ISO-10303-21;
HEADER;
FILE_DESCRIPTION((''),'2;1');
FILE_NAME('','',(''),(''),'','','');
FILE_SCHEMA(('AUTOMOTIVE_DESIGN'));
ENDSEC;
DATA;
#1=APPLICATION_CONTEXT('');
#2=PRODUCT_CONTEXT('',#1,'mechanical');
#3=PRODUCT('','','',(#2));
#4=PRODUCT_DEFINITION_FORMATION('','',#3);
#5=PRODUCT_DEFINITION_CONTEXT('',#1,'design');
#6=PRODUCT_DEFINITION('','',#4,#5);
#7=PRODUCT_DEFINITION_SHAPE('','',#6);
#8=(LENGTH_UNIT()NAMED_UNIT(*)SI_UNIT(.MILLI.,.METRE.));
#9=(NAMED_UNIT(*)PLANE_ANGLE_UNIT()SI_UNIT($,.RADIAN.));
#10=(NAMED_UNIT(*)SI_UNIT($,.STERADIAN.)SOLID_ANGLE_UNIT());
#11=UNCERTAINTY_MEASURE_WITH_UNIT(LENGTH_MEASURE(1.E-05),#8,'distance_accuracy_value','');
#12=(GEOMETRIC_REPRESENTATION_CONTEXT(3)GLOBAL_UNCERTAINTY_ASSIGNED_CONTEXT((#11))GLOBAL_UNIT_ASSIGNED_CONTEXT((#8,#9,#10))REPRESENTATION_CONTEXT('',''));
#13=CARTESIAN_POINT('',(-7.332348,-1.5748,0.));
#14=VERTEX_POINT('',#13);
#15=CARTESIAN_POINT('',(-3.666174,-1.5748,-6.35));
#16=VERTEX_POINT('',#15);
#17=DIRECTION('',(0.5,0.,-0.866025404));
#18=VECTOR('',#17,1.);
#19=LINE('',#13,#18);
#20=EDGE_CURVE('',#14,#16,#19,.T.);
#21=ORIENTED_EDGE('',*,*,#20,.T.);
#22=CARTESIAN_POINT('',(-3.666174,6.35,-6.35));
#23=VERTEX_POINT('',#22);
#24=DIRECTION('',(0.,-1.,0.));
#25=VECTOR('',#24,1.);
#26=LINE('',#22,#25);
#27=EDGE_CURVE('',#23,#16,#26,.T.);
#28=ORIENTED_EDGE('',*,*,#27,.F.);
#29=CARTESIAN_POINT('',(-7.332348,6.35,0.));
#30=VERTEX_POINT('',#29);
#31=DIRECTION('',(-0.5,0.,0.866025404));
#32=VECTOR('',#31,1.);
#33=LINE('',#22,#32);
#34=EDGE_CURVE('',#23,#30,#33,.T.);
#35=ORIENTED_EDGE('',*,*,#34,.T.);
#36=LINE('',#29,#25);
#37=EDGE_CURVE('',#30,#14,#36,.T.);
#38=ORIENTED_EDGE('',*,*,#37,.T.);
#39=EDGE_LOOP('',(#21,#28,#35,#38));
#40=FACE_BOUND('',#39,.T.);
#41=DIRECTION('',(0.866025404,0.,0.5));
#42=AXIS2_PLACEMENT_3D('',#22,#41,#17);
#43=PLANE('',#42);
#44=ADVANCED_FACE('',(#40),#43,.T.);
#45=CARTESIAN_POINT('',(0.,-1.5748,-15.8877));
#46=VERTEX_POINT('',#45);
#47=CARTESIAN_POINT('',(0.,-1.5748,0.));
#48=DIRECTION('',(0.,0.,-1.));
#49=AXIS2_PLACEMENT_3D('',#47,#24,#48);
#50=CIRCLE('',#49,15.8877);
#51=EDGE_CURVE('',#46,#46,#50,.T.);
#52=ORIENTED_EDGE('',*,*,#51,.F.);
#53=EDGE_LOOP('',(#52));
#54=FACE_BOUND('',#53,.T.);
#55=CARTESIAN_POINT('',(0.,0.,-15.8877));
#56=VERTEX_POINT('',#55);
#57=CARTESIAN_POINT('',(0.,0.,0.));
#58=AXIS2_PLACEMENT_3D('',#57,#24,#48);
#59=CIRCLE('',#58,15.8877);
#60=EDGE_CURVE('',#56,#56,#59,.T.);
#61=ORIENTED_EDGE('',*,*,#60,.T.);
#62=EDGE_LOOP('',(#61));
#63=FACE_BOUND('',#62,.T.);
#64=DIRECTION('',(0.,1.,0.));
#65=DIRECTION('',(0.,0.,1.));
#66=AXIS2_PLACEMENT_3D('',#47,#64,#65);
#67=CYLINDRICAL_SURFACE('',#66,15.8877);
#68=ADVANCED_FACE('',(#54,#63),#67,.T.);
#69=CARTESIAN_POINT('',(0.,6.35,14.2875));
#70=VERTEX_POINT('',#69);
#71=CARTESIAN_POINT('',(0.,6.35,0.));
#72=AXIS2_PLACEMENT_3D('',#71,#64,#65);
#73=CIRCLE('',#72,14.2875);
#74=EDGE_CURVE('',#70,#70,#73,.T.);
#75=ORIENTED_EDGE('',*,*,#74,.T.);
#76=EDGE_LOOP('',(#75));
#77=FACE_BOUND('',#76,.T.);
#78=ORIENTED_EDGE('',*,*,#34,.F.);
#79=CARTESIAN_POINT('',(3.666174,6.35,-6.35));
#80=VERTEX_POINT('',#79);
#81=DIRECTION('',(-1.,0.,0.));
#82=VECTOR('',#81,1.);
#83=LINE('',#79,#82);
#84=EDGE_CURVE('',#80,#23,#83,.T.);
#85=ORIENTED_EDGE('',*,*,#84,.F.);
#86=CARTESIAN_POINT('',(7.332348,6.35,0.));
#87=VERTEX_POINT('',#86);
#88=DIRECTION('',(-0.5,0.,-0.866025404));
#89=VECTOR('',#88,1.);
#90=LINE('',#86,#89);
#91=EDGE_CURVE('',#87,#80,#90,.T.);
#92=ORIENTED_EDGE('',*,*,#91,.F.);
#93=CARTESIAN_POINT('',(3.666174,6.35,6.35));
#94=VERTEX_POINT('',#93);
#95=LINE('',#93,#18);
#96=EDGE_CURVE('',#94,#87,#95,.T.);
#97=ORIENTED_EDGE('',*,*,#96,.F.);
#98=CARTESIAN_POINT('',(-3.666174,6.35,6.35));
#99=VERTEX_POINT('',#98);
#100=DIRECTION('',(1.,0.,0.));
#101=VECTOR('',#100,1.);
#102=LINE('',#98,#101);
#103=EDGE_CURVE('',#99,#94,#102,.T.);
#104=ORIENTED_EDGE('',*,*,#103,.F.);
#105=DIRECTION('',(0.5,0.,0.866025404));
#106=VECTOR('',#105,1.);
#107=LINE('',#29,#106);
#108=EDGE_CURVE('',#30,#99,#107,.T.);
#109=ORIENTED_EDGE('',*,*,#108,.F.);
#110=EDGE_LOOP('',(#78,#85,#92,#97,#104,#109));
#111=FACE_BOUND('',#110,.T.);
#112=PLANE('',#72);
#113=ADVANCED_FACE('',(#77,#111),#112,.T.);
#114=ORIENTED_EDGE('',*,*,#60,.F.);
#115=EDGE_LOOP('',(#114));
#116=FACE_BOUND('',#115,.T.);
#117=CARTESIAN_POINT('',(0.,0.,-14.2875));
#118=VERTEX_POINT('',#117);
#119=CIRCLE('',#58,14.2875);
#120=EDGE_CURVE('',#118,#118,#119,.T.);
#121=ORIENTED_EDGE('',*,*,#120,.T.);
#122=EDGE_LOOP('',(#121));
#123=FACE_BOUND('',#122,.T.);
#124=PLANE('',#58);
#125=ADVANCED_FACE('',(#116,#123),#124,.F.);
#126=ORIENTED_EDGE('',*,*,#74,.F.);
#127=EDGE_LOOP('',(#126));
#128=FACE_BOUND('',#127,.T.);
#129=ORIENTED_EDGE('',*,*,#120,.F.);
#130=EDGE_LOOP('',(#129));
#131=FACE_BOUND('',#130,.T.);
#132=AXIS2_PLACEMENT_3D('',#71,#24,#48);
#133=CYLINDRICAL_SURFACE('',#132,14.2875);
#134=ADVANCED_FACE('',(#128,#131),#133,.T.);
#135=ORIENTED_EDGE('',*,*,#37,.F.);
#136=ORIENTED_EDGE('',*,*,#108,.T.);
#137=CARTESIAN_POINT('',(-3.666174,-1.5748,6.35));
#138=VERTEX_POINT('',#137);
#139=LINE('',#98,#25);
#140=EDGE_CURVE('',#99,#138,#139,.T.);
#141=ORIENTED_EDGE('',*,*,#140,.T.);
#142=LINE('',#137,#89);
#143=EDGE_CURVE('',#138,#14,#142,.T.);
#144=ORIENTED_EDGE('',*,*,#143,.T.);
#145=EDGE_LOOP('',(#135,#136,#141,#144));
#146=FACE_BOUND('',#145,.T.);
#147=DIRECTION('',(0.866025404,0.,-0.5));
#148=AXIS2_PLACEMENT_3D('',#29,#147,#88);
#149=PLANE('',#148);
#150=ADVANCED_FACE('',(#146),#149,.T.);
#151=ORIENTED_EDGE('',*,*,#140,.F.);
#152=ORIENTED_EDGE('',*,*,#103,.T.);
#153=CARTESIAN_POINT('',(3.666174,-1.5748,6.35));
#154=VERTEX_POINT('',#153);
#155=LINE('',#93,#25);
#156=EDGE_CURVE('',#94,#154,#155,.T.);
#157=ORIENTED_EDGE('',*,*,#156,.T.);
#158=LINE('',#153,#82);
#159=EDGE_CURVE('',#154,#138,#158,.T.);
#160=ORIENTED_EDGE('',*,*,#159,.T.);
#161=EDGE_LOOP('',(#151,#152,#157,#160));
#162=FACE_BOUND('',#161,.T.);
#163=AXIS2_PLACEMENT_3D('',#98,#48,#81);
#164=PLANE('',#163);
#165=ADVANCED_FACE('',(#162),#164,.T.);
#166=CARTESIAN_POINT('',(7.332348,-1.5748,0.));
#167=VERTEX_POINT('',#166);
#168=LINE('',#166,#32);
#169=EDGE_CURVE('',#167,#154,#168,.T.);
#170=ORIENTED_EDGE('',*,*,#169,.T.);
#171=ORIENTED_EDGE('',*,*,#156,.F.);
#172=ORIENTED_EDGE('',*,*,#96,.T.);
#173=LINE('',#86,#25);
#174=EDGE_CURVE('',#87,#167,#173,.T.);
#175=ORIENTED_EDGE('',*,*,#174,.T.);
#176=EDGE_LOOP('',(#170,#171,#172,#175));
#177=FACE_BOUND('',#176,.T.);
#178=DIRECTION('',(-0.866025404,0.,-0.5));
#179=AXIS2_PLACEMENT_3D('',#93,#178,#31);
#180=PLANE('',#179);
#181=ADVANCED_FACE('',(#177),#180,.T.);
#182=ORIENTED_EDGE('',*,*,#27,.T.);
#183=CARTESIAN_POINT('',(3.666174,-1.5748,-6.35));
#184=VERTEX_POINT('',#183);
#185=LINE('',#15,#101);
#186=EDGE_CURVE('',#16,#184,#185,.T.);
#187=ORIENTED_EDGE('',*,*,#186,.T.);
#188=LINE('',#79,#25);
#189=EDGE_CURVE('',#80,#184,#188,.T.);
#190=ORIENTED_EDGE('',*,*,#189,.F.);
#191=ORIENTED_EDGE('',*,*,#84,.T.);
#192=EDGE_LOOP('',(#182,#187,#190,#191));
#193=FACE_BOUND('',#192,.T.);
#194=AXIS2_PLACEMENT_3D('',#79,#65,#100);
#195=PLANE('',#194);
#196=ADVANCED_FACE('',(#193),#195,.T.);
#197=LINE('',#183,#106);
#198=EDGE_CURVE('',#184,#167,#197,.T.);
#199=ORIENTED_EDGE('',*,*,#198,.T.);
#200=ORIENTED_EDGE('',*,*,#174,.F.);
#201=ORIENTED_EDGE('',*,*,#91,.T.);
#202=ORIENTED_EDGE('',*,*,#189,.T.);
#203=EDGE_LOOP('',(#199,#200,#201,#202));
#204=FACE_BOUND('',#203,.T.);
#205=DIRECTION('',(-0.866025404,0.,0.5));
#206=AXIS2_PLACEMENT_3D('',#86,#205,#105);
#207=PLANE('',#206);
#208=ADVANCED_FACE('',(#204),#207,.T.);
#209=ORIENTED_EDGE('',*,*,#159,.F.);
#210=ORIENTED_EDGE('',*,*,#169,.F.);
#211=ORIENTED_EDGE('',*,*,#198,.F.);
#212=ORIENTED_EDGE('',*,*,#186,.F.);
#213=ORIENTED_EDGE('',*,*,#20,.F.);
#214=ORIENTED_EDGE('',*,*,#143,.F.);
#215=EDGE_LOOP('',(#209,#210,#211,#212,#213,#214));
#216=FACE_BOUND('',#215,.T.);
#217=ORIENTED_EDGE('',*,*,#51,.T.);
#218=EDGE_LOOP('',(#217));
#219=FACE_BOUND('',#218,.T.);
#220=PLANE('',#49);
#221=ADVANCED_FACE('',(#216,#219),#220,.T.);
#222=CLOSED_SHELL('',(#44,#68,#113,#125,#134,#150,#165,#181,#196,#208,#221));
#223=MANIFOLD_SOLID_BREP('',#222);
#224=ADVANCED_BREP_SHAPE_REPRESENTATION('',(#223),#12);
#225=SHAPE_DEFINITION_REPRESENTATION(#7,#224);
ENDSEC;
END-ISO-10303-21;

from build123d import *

# Parameters (mm, degrees)
SKETCH1_R           = 14.2875
BOSS_EXTRUDE1_DEPTH = 6.35
SKETCH2_R           = 15.8877
BOSS_EXTRUDE2_DEPTH = 1.5748


with BuildPart() as part:
    # Sketch1 → Boss-Extrude1 (new body)
    with BuildSketch(Plane(origin=(0, 0, 0), x_dir=(1, 0, 0), z_dir=(0, 1, 0))):
        Circle(SKETCH1_R)
        Polygon((7.332348419, 0), (3.666174209, 6.35), (-3.666174209, 6.35), (-7.332348419, 0), (-3.666174209, -6.35), (3.666174209, -6.35), align=None, mode=Mode.SUBTRACT)
    extrude(amount=BOSS_EXTRUDE1_DEPTH)

    # Sketch2 → Boss-Extrude2 (add)
    with BuildSketch(Plane.XZ):
        Circle(SKETCH2_R)
        Polygon((-7.332348419, 0), (-3.666174209, -6.35), (3.666174209, -6.35), (7.332348419, 0), (3.666174209, 6.35), (-3.666174209, 6.35), align=None, mode=Mode.SUBTRACT)
    extrude(amount=BOSS_EXTRUDE2_DEPTH)


solid = part.part
